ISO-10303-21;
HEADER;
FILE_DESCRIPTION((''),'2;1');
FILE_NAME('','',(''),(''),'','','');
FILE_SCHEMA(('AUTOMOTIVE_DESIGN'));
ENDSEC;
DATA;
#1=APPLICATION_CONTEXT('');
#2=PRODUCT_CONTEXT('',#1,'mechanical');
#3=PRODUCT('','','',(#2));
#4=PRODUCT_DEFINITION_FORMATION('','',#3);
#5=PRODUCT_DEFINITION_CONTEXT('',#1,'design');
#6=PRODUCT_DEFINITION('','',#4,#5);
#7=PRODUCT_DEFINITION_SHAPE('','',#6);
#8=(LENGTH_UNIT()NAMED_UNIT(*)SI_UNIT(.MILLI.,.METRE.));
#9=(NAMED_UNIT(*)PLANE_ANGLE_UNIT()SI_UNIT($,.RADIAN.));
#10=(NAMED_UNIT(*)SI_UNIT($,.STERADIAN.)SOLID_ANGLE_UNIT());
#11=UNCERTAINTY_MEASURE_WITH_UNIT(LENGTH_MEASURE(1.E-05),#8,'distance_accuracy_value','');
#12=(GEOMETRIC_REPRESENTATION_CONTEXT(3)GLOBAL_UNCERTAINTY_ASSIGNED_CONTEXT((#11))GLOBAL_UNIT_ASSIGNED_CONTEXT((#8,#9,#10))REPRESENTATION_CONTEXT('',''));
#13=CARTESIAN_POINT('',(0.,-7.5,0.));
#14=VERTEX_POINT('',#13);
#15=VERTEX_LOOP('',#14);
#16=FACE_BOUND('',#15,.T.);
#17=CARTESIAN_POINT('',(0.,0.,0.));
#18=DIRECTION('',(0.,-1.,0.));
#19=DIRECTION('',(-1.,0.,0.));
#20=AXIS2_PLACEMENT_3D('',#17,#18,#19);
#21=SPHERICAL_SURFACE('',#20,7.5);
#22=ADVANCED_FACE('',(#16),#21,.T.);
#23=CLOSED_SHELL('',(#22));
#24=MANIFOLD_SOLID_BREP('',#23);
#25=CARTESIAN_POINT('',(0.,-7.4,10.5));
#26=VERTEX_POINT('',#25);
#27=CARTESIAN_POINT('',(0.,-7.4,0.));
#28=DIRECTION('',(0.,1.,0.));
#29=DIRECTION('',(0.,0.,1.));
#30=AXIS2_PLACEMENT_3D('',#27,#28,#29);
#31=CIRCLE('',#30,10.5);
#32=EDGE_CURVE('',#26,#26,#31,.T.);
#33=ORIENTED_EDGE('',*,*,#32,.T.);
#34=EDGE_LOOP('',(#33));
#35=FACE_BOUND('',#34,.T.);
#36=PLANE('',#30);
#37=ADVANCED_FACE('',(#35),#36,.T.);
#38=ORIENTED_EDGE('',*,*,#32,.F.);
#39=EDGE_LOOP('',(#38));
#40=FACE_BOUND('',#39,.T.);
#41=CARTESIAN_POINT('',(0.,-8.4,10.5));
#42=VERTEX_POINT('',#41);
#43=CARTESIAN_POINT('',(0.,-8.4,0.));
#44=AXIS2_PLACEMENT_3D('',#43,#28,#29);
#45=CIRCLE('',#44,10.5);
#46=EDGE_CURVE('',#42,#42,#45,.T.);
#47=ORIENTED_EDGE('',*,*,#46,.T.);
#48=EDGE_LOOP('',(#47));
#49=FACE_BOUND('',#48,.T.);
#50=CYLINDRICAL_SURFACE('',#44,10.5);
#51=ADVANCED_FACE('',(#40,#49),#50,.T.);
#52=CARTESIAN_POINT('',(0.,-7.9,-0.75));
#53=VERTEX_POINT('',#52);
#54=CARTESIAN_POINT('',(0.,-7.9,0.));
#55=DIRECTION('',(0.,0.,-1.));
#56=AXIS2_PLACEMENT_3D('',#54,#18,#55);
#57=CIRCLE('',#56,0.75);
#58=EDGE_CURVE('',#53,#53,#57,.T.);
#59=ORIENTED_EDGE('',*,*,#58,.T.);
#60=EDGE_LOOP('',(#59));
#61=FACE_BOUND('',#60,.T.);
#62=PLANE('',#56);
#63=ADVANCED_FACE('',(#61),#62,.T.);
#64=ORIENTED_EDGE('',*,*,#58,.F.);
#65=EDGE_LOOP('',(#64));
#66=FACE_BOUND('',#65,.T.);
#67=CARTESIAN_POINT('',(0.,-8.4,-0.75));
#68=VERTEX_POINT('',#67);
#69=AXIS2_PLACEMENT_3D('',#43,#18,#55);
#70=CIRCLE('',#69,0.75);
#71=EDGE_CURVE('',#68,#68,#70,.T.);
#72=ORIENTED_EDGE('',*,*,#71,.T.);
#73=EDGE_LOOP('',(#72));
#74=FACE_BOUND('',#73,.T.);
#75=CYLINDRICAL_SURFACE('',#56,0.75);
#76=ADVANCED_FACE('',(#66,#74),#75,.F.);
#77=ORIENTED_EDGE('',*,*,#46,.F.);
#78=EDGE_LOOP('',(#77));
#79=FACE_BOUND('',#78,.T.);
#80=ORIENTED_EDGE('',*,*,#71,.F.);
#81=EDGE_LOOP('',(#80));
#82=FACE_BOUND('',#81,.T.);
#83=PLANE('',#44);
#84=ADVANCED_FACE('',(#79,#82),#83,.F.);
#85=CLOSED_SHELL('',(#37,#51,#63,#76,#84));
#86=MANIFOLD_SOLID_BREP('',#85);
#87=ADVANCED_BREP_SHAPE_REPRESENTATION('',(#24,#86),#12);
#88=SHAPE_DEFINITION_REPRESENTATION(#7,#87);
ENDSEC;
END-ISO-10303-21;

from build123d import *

# Parameters (mm, degrees)
SKETCH_3_R          = 10.5
EXTRUDE_1_DEPTH     = 1
SKETCH_4_R          = 0.75
CUT_EXTRUDE_1_DEPTH = 0.5


with BuildPart() as part:
    # 草图1 → 旋转4 (revolve)
    with BuildSketch(Plane.XY):
        with BuildLine():
            Line((0, 0), (0, 7.5))
            ThreePointArc((0, 7.5), (-7.5, 0), (0, -7.5))
            Line((0, -7.5), (0, 0))
        make_face()
    revolve(axis=Axis((0, 0, 0), (0, 1, 0)))


with BuildPart() as body_2:
    # 草图3 → 凸台-拉伸1 (new body)
    with BuildSketch(Plane(origin=(0, -7.4, 0), x_dir=(1, 0, 0), z_dir=(0, 1, 0))):
        with Locations(Location((0, 0, 0), (0, 0, 270))):
            Circle(SKETCH_3_R)
    extrude(amount=-EXTRUDE_1_DEPTH)

    # 草图4 → 切除-拉伸1 (cut)
    with BuildSketch(Plane.XZ.offset(8.4)):
        with Locations(Location((0, 0, 0), (0, 0, 270))):
            Circle(SKETCH_4_R)
    extrude(amount=-CUT_EXTRUDE_1_DEPTH, mode=Mode.SUBTRACT)


solid = Compound([part.part, body_2.part])
